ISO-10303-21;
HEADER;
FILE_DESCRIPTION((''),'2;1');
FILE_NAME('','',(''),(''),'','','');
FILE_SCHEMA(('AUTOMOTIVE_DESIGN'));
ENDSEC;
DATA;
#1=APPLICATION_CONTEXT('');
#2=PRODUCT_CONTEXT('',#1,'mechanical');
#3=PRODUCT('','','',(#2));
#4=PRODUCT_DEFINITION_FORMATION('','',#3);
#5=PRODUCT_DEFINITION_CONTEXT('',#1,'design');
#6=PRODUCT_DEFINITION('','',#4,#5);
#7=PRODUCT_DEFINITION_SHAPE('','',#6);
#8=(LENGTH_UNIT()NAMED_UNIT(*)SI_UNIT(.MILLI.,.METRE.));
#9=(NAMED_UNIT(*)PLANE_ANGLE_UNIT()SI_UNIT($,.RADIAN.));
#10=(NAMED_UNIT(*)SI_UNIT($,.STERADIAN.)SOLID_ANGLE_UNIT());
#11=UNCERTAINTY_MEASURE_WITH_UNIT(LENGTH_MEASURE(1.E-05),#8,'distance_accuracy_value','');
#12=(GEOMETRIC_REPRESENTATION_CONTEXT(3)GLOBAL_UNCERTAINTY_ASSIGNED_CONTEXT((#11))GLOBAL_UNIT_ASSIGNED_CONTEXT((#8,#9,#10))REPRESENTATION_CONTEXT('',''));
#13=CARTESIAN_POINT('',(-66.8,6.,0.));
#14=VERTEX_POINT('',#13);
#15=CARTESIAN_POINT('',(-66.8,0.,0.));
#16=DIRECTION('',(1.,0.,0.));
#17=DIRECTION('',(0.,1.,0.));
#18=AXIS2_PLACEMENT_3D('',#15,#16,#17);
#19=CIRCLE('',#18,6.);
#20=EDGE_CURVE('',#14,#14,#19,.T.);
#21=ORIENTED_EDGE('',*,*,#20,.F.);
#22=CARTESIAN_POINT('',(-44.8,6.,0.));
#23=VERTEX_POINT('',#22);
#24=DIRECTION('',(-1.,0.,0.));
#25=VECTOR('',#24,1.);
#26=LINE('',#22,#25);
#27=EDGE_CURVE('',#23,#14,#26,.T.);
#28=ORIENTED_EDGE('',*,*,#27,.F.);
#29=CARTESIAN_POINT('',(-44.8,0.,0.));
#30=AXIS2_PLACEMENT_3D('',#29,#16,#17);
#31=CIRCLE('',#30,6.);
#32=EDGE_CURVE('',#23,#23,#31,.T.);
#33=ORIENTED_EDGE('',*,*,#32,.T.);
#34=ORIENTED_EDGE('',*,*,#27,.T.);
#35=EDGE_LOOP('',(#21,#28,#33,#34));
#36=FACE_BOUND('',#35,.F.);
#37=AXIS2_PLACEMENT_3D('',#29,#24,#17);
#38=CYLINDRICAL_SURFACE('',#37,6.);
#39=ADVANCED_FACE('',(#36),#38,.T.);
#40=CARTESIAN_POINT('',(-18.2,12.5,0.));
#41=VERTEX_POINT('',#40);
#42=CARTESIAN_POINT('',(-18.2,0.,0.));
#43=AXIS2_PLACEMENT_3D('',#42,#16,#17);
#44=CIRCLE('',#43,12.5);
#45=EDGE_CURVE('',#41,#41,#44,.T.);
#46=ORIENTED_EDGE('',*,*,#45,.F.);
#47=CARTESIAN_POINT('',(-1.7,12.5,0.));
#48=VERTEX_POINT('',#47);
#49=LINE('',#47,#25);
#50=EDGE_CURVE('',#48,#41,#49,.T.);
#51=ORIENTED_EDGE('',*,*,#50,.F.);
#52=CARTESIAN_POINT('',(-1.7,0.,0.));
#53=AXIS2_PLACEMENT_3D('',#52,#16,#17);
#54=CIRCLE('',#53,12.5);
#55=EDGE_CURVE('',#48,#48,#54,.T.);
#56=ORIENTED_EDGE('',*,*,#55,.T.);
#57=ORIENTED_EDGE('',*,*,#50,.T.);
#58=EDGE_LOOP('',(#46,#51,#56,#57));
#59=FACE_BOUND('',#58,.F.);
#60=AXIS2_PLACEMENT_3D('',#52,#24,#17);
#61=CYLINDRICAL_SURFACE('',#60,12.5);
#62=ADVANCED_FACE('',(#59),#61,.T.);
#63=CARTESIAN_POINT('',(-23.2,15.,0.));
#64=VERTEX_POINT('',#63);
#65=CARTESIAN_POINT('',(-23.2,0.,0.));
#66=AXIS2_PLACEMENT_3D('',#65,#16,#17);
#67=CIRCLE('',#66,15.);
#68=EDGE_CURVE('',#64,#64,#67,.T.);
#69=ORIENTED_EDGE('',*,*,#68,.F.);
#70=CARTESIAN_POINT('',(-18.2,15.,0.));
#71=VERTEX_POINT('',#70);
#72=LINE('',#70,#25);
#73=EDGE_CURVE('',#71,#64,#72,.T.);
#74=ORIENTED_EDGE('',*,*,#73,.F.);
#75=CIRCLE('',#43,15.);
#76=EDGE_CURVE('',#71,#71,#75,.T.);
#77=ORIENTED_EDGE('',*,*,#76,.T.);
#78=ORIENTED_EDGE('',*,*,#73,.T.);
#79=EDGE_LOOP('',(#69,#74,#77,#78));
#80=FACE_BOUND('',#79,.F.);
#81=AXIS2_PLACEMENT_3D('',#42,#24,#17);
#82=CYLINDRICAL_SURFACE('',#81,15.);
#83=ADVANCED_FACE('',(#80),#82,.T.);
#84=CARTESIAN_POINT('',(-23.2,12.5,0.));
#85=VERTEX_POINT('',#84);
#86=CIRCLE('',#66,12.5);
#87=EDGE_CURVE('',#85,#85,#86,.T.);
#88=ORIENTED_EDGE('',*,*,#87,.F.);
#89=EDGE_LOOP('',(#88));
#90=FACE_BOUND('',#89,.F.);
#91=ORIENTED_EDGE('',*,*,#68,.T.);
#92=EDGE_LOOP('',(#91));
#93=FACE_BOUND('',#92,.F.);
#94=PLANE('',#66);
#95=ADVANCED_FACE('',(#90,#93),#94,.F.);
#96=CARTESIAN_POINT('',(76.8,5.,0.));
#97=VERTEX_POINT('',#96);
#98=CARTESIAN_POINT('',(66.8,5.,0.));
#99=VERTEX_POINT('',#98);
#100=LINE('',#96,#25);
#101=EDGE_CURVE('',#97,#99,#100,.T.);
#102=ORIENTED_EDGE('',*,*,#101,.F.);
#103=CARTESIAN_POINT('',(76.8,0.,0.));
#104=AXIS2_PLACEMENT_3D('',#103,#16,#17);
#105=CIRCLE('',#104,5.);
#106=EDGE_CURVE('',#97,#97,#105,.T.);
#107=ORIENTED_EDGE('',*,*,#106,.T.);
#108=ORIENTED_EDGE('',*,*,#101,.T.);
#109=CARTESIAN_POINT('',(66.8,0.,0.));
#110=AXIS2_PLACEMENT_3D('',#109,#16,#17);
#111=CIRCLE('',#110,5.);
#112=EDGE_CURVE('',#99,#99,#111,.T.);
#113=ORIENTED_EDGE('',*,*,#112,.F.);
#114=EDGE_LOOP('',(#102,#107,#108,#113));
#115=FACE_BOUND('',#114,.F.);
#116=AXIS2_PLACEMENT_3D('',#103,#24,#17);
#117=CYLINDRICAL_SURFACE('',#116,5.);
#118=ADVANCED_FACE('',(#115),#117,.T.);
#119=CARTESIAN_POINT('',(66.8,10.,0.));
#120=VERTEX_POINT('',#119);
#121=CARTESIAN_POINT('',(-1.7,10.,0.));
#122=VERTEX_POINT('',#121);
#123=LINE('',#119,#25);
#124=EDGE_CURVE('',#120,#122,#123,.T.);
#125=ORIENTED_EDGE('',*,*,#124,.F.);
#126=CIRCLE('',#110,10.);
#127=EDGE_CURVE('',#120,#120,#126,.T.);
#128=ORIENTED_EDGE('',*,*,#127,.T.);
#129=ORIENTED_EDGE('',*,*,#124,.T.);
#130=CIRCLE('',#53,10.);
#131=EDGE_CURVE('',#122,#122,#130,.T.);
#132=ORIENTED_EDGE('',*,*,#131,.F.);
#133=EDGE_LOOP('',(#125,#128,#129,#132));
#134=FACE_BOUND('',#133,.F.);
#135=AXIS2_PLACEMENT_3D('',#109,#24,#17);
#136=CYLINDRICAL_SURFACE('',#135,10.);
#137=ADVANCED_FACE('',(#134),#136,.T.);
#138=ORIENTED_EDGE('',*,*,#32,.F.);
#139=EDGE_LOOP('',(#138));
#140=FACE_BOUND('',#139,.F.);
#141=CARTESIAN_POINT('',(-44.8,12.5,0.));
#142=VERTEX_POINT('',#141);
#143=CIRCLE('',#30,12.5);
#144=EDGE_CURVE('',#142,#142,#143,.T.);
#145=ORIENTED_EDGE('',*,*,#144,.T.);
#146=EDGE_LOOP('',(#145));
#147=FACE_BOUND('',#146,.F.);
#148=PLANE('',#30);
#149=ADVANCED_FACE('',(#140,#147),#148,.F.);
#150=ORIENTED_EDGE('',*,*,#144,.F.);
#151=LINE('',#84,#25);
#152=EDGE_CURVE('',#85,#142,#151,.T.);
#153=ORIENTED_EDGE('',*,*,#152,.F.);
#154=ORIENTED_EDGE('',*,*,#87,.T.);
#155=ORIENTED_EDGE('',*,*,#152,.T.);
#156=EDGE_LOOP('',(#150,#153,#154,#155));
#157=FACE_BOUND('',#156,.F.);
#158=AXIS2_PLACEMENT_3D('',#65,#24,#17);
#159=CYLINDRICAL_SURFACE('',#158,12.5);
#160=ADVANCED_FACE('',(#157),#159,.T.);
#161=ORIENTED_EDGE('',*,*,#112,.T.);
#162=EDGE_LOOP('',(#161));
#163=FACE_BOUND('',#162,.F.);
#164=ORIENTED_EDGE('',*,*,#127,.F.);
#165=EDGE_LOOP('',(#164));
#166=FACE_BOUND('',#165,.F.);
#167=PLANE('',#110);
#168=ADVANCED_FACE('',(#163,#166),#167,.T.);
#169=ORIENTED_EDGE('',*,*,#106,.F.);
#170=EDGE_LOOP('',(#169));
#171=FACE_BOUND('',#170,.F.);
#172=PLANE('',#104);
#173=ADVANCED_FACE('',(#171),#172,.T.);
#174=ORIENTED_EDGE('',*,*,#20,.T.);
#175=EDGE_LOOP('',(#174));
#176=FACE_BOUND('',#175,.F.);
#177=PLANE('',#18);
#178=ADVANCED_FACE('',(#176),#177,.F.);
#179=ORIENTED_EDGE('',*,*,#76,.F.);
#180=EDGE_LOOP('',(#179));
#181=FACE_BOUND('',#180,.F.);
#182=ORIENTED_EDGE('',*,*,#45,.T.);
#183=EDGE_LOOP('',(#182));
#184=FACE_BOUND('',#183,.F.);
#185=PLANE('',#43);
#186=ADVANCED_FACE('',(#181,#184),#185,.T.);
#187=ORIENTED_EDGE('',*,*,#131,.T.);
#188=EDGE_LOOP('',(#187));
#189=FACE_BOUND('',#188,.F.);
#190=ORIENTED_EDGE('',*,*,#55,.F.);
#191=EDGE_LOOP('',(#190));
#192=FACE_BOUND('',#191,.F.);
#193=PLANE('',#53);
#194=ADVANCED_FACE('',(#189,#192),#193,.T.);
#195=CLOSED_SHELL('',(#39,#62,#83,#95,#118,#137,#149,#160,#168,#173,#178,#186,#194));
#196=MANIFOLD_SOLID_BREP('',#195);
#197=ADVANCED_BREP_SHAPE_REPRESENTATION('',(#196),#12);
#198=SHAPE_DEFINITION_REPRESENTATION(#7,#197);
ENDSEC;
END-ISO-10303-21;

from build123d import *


with BuildPart() as f1:
    # F0 (on Top) → F1 (revolve)
    with BuildSketch(Plane.XY):
        Polygon((-66.8, 6), (-66.8, 0), (66.8, 0), (76.8, 0), (76.8, 5), (66.8, 5), (66.8, 10), (-1.7, 10), (-1.7, 12.5), (-18.2, 12.5), (-18.2, 15), (-23.2, 15), (-23.2, 12.5), (-44.8, 12.5), (-44.8, 6), align=None)
    revolve(axis=Axis((0, 0, 0), (1, 0, 0)))


solid = f1.part
